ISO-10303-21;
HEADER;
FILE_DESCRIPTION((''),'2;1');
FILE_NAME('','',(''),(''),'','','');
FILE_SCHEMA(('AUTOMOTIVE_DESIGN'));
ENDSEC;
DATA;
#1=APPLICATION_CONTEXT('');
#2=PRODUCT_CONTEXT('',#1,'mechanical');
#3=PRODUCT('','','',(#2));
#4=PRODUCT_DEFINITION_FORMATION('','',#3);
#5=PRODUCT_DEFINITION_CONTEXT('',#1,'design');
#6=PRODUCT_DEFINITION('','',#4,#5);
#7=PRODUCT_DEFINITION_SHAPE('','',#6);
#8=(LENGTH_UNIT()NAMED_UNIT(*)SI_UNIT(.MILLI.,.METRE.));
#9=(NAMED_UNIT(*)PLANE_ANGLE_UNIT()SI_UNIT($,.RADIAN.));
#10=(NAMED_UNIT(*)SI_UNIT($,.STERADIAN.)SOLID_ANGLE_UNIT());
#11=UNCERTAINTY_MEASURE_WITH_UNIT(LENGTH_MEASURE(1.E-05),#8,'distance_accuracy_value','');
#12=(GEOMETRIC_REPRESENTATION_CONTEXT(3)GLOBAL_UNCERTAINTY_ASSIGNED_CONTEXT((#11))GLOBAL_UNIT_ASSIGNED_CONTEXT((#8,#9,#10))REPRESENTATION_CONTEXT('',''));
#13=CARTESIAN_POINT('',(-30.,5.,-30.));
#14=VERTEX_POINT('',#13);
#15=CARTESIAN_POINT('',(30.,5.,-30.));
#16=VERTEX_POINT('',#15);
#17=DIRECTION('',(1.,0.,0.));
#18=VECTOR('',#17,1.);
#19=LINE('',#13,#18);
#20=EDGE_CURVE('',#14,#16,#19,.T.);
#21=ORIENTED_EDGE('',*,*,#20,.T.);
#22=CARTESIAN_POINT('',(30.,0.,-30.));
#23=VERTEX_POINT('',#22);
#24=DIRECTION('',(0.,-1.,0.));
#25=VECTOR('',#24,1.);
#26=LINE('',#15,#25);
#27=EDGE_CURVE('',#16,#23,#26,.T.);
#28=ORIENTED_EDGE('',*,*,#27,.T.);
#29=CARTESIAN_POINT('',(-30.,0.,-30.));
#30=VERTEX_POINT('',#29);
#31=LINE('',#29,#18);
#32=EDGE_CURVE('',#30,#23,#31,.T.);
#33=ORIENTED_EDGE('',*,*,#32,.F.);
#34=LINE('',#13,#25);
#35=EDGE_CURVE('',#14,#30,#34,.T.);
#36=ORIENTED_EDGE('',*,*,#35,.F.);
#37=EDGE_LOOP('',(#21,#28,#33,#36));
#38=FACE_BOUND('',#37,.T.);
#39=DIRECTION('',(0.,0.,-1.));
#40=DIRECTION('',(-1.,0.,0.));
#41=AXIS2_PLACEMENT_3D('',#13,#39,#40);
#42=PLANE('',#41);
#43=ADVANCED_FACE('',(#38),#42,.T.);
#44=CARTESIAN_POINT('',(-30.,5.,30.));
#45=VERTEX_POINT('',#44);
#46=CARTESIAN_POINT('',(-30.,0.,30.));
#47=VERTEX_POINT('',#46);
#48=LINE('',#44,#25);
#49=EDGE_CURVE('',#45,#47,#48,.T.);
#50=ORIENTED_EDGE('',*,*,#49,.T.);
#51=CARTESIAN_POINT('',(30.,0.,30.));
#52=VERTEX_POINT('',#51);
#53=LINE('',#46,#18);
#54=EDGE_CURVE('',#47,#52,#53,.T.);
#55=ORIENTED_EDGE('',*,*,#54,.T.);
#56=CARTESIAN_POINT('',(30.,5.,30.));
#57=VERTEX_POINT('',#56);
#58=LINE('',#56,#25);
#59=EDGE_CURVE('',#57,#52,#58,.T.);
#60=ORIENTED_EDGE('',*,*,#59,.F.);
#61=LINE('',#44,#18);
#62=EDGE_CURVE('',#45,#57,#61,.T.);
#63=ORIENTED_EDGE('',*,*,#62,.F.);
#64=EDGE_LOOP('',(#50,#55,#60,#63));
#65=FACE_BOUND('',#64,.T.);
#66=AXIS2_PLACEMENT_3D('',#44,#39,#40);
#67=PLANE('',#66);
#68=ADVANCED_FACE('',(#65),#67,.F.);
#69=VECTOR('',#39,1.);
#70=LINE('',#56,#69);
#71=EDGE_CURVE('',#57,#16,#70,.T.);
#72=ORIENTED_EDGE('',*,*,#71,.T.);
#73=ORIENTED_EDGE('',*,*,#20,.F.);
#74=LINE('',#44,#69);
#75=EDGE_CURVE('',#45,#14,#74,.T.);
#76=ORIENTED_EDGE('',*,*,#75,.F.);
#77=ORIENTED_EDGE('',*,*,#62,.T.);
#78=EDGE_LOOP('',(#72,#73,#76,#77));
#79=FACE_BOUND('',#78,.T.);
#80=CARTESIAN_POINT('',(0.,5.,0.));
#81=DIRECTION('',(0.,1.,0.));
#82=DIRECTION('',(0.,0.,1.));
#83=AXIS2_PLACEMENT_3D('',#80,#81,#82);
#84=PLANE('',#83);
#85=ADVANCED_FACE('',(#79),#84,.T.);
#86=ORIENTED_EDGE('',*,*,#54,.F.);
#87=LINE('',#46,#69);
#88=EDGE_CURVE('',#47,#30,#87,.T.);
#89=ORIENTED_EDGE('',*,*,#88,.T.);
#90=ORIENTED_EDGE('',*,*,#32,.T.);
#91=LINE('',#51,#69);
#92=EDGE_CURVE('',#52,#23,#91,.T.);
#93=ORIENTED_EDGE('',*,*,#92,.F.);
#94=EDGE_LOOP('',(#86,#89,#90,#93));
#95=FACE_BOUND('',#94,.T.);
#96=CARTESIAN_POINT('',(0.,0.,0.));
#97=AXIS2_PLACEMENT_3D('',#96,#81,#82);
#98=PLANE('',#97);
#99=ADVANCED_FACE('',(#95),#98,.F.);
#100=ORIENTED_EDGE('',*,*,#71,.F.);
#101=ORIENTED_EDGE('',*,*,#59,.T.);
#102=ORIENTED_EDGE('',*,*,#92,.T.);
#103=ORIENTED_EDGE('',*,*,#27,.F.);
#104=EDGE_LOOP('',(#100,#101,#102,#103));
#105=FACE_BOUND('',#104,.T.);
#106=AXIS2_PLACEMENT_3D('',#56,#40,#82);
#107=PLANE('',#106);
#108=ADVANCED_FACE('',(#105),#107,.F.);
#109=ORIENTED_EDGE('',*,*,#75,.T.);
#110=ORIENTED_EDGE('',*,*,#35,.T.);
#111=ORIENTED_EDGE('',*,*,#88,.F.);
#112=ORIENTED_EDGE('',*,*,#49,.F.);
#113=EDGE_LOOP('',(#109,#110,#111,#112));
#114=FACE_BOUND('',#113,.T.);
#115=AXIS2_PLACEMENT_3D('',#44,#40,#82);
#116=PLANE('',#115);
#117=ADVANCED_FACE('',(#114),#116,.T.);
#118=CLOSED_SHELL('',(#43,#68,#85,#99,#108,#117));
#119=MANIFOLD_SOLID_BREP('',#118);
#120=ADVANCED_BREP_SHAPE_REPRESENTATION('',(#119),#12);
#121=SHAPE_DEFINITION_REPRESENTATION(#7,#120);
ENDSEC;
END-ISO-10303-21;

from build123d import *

# Parameters (mm, degrees)
SKETCH_2_W      = 60
SKETCH_2_H      = 60
EXTRUDE_1_DEPTH = 5


with BuildPart() as part:
    # Эскиз2 → Бобышка-Вытянуть1 (new body)
    with BuildSketch(Plane(origin=(0, 0, 0), x_dir=(1, 0, 0), z_dir=(0, 1, 0))):
        Rectangle(SKETCH_2_W, SKETCH_2_H)
    extrude(amount=EXTRUDE_1_DEPTH)


solid = part.part
